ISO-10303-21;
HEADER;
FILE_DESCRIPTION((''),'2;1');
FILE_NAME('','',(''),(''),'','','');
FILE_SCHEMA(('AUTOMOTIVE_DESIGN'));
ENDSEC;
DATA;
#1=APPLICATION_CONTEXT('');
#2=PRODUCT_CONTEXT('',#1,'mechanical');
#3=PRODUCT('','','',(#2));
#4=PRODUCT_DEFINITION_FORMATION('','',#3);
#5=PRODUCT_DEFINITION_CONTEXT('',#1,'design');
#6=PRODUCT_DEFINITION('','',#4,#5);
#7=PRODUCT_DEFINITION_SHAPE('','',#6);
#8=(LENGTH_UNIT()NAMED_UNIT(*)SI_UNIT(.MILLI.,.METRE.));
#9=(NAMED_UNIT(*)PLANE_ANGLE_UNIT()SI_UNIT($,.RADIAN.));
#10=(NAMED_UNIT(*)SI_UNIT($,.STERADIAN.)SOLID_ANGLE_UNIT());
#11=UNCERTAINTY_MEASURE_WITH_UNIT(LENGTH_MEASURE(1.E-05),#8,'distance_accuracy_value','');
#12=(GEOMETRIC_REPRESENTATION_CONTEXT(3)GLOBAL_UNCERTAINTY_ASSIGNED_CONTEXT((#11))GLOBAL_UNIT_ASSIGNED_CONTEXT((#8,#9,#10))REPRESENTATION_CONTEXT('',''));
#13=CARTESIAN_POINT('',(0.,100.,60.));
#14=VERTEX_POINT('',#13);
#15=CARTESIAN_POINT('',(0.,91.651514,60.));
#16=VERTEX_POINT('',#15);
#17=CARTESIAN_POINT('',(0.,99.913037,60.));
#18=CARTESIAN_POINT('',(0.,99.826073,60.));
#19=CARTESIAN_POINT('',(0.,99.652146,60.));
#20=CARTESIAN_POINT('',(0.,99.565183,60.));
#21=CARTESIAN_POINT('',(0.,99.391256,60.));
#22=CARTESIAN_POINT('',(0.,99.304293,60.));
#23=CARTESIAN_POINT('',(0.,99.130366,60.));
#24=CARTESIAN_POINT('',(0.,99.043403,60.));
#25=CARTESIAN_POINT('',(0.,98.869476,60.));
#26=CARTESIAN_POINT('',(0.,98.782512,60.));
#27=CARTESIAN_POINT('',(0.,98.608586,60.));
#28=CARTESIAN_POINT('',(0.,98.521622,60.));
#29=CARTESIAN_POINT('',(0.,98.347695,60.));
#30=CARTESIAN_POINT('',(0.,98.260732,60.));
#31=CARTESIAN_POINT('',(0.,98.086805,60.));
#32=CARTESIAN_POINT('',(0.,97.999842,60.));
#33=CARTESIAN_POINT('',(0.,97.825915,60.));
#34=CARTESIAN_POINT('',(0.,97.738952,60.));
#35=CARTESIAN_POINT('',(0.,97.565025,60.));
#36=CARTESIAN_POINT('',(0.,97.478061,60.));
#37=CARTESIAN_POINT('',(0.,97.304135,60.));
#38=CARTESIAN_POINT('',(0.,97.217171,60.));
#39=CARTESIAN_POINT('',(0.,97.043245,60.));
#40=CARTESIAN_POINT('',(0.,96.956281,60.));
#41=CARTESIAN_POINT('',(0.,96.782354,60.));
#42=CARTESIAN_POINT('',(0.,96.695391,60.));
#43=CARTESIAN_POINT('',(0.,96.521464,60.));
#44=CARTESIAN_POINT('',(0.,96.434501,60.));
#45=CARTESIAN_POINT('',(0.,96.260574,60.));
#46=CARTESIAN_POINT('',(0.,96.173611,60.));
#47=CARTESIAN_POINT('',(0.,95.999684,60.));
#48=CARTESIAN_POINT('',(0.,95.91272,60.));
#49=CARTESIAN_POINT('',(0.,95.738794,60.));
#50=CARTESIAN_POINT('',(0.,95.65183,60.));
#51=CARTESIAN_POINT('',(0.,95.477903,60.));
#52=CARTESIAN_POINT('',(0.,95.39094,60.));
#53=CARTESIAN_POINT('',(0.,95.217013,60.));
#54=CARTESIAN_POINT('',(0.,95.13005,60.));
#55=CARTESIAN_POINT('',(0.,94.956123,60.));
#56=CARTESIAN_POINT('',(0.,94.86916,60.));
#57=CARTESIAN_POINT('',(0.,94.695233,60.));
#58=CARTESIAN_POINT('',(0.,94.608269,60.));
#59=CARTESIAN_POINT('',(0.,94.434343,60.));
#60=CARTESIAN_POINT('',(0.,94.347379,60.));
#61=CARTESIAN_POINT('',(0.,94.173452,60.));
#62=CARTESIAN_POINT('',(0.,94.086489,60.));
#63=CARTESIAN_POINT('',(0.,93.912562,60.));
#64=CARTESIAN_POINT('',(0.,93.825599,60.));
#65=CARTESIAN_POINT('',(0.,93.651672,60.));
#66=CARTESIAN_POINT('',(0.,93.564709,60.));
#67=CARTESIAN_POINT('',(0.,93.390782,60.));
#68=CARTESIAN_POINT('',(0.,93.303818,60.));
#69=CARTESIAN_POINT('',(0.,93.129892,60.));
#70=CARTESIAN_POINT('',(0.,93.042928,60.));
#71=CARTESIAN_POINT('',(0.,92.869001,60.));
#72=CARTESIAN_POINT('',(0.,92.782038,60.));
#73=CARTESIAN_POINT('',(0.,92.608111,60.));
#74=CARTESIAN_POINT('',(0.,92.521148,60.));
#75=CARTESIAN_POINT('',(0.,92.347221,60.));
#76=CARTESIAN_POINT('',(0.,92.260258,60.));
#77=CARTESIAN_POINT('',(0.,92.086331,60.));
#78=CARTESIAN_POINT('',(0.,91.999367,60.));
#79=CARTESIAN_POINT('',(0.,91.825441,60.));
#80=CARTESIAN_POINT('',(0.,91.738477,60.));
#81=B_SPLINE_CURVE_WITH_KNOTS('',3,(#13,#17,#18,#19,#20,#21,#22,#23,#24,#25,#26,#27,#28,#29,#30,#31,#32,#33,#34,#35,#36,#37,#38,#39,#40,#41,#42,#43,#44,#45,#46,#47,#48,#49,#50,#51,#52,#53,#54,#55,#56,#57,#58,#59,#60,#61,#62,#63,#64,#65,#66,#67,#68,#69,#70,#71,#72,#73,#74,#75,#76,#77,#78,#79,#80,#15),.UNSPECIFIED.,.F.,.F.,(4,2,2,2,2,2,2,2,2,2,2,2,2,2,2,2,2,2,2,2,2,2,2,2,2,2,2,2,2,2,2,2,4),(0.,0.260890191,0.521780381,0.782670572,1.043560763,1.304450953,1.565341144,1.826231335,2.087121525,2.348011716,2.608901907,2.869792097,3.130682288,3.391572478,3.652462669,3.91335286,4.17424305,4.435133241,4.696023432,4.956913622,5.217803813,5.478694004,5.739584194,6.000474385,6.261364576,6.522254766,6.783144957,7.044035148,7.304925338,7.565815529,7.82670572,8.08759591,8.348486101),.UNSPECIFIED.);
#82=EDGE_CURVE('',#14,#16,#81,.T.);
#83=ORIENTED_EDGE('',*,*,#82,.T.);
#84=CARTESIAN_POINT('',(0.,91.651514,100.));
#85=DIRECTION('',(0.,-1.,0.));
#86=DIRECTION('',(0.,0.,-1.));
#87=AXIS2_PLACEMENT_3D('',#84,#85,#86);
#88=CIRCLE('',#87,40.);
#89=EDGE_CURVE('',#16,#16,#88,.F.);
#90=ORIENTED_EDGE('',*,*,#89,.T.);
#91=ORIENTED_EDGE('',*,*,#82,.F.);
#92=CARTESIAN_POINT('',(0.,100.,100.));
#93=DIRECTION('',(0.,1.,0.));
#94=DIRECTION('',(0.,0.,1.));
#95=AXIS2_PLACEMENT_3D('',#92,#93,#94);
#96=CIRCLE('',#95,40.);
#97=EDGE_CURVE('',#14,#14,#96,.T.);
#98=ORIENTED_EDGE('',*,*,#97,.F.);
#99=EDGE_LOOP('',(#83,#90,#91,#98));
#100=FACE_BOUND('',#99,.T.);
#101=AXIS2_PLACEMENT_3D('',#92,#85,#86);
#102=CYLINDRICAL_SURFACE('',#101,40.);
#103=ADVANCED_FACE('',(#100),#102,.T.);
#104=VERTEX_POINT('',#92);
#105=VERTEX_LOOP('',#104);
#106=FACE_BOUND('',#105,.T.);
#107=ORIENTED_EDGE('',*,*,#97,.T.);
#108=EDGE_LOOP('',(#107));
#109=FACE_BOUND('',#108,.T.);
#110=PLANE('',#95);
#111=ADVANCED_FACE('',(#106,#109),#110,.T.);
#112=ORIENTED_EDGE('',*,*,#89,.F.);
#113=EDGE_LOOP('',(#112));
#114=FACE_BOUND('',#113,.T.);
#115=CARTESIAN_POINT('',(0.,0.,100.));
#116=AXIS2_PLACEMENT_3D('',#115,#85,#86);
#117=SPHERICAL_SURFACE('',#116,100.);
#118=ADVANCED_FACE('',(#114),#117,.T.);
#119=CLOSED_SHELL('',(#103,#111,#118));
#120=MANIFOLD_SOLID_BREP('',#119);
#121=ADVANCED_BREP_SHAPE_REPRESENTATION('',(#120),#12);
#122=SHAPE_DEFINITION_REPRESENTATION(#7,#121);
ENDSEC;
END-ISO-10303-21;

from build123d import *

# Parameters (mm, degrees)
SKETCH3_R           = 40
BOSS_EXTRUDE1_DEPTH = 100


with BuildPart() as part:
    # Sketch1 → Revolve1 (revolve)
    with BuildSketch(Plane(origin=(0, 0, 0), x_dir=(1, 0, 0), z_dir=(0, 1, 0))):
        with BuildLine():
            Line((0, 0), (0, -200))
            ThreePointArc((0, -200), (100, -100), (0, 0))
        make_face()
    revolve(axis=Axis((0, 0, 0), (0, 0, 1)))

    # Sketch3 → Boss-Extrude1 (add)
    with BuildSketch(Plane(origin=(0, 0, 0), x_dir=(1, 0, 0), z_dir=(0, 1, 0))):
        with Locations(Location((0, -100, 0), (0, 0, 90))):
            Circle(SKETCH3_R)
    extrude(amount=BOSS_EXTRUDE1_DEPTH)


solid = part.part
